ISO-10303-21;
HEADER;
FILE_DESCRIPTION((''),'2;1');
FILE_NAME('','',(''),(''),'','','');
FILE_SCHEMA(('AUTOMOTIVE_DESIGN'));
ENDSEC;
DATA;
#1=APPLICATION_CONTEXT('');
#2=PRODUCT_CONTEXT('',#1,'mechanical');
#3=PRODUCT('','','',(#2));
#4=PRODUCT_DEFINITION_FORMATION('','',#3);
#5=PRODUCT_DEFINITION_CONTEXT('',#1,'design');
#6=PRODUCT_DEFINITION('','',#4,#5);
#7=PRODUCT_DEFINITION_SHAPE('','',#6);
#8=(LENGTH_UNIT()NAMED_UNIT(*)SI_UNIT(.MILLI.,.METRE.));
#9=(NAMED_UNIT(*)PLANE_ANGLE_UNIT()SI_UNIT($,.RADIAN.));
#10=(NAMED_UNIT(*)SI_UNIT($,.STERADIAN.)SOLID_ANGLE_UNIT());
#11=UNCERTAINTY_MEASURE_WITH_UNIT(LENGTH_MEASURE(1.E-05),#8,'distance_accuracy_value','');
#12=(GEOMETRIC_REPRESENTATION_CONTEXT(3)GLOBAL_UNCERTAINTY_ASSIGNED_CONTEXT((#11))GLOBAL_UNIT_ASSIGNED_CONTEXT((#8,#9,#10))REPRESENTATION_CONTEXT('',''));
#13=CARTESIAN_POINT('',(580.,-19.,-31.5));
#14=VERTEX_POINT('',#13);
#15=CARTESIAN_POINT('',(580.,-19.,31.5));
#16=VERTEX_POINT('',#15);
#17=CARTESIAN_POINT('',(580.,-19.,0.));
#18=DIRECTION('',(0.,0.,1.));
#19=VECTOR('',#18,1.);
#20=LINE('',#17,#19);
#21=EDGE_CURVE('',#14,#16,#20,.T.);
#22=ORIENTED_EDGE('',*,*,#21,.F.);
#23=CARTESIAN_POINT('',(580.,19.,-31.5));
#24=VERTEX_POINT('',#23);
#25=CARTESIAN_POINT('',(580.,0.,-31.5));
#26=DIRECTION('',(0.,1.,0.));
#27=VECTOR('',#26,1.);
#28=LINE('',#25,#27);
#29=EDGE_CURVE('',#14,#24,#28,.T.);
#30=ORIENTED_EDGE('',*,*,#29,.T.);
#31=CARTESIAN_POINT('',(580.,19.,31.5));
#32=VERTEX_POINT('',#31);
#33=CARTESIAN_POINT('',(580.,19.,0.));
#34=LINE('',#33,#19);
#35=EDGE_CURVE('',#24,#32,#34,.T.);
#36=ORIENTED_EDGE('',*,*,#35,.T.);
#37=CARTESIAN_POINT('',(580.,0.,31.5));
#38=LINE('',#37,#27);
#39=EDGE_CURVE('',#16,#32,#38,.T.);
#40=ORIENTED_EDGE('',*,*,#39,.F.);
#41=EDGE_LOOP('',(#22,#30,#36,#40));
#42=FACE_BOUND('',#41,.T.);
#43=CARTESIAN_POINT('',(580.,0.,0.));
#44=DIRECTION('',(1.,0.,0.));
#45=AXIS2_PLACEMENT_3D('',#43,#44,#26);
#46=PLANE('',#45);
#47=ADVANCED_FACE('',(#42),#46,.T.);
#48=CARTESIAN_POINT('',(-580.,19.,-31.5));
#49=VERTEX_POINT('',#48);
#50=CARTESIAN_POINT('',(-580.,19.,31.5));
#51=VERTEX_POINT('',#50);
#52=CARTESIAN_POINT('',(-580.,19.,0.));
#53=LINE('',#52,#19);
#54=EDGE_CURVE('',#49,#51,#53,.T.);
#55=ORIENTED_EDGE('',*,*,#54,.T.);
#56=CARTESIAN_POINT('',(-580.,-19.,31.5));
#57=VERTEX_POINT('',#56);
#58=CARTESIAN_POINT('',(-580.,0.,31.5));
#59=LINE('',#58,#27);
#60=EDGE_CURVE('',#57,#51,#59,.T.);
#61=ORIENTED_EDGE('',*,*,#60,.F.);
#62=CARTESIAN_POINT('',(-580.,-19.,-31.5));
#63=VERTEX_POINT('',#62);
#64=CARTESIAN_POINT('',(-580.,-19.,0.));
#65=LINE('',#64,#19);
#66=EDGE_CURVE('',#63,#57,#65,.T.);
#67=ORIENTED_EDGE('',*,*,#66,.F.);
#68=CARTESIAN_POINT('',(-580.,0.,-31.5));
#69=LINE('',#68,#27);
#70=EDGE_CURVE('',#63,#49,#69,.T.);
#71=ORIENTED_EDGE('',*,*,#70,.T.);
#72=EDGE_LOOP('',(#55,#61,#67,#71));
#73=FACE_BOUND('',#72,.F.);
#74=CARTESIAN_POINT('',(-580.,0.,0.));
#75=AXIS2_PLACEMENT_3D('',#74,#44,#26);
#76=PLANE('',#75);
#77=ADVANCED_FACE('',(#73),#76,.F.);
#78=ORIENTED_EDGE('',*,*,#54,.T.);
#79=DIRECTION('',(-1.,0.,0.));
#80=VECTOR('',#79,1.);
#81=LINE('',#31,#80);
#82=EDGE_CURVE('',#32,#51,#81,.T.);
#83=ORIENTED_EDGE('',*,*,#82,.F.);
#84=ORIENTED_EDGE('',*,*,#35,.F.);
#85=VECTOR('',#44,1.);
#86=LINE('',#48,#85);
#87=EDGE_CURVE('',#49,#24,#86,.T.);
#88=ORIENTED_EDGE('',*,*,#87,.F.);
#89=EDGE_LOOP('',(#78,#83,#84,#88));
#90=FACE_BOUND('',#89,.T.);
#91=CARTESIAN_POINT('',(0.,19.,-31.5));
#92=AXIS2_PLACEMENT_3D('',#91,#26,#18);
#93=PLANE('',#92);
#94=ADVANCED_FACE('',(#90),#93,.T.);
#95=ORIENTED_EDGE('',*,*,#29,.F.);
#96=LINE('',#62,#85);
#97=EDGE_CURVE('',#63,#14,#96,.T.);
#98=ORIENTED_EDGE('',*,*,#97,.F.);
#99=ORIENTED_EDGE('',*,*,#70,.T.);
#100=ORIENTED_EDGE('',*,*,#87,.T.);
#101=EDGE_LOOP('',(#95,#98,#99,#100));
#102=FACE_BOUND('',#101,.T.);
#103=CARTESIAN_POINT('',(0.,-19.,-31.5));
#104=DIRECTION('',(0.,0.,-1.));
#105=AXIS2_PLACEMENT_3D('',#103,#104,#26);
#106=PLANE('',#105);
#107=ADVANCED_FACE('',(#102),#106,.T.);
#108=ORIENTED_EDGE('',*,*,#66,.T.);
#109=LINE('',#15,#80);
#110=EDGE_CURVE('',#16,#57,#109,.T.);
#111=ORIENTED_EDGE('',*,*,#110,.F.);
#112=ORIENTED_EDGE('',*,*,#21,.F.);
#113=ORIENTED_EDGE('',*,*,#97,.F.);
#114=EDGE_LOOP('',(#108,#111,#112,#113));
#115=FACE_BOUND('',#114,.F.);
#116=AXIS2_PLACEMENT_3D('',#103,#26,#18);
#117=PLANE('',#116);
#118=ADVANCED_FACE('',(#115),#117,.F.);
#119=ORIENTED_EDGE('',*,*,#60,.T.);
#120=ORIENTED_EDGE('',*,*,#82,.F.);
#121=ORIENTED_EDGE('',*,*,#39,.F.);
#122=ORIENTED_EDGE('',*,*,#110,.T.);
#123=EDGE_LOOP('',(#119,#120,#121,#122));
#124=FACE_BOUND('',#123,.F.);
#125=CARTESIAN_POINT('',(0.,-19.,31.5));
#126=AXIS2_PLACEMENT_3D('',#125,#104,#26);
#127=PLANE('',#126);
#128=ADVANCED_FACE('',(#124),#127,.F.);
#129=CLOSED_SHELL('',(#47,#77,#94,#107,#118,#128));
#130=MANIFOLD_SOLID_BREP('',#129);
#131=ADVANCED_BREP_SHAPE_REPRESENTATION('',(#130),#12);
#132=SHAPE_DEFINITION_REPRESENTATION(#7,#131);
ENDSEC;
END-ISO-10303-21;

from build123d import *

# Parameters (mm, degrees)
SKETCH_W  = 38
SKETCH_H  = 63
PAD_DEPTH = 580


with BuildPart() as part:
    # Sketch → Pad (new body, symmetric)
    with BuildSketch(Plane.YZ):
        Rectangle(SKETCH_W, SKETCH_H)
    extrude(amount=PAD_DEPTH, both=True)


solid = part.part
